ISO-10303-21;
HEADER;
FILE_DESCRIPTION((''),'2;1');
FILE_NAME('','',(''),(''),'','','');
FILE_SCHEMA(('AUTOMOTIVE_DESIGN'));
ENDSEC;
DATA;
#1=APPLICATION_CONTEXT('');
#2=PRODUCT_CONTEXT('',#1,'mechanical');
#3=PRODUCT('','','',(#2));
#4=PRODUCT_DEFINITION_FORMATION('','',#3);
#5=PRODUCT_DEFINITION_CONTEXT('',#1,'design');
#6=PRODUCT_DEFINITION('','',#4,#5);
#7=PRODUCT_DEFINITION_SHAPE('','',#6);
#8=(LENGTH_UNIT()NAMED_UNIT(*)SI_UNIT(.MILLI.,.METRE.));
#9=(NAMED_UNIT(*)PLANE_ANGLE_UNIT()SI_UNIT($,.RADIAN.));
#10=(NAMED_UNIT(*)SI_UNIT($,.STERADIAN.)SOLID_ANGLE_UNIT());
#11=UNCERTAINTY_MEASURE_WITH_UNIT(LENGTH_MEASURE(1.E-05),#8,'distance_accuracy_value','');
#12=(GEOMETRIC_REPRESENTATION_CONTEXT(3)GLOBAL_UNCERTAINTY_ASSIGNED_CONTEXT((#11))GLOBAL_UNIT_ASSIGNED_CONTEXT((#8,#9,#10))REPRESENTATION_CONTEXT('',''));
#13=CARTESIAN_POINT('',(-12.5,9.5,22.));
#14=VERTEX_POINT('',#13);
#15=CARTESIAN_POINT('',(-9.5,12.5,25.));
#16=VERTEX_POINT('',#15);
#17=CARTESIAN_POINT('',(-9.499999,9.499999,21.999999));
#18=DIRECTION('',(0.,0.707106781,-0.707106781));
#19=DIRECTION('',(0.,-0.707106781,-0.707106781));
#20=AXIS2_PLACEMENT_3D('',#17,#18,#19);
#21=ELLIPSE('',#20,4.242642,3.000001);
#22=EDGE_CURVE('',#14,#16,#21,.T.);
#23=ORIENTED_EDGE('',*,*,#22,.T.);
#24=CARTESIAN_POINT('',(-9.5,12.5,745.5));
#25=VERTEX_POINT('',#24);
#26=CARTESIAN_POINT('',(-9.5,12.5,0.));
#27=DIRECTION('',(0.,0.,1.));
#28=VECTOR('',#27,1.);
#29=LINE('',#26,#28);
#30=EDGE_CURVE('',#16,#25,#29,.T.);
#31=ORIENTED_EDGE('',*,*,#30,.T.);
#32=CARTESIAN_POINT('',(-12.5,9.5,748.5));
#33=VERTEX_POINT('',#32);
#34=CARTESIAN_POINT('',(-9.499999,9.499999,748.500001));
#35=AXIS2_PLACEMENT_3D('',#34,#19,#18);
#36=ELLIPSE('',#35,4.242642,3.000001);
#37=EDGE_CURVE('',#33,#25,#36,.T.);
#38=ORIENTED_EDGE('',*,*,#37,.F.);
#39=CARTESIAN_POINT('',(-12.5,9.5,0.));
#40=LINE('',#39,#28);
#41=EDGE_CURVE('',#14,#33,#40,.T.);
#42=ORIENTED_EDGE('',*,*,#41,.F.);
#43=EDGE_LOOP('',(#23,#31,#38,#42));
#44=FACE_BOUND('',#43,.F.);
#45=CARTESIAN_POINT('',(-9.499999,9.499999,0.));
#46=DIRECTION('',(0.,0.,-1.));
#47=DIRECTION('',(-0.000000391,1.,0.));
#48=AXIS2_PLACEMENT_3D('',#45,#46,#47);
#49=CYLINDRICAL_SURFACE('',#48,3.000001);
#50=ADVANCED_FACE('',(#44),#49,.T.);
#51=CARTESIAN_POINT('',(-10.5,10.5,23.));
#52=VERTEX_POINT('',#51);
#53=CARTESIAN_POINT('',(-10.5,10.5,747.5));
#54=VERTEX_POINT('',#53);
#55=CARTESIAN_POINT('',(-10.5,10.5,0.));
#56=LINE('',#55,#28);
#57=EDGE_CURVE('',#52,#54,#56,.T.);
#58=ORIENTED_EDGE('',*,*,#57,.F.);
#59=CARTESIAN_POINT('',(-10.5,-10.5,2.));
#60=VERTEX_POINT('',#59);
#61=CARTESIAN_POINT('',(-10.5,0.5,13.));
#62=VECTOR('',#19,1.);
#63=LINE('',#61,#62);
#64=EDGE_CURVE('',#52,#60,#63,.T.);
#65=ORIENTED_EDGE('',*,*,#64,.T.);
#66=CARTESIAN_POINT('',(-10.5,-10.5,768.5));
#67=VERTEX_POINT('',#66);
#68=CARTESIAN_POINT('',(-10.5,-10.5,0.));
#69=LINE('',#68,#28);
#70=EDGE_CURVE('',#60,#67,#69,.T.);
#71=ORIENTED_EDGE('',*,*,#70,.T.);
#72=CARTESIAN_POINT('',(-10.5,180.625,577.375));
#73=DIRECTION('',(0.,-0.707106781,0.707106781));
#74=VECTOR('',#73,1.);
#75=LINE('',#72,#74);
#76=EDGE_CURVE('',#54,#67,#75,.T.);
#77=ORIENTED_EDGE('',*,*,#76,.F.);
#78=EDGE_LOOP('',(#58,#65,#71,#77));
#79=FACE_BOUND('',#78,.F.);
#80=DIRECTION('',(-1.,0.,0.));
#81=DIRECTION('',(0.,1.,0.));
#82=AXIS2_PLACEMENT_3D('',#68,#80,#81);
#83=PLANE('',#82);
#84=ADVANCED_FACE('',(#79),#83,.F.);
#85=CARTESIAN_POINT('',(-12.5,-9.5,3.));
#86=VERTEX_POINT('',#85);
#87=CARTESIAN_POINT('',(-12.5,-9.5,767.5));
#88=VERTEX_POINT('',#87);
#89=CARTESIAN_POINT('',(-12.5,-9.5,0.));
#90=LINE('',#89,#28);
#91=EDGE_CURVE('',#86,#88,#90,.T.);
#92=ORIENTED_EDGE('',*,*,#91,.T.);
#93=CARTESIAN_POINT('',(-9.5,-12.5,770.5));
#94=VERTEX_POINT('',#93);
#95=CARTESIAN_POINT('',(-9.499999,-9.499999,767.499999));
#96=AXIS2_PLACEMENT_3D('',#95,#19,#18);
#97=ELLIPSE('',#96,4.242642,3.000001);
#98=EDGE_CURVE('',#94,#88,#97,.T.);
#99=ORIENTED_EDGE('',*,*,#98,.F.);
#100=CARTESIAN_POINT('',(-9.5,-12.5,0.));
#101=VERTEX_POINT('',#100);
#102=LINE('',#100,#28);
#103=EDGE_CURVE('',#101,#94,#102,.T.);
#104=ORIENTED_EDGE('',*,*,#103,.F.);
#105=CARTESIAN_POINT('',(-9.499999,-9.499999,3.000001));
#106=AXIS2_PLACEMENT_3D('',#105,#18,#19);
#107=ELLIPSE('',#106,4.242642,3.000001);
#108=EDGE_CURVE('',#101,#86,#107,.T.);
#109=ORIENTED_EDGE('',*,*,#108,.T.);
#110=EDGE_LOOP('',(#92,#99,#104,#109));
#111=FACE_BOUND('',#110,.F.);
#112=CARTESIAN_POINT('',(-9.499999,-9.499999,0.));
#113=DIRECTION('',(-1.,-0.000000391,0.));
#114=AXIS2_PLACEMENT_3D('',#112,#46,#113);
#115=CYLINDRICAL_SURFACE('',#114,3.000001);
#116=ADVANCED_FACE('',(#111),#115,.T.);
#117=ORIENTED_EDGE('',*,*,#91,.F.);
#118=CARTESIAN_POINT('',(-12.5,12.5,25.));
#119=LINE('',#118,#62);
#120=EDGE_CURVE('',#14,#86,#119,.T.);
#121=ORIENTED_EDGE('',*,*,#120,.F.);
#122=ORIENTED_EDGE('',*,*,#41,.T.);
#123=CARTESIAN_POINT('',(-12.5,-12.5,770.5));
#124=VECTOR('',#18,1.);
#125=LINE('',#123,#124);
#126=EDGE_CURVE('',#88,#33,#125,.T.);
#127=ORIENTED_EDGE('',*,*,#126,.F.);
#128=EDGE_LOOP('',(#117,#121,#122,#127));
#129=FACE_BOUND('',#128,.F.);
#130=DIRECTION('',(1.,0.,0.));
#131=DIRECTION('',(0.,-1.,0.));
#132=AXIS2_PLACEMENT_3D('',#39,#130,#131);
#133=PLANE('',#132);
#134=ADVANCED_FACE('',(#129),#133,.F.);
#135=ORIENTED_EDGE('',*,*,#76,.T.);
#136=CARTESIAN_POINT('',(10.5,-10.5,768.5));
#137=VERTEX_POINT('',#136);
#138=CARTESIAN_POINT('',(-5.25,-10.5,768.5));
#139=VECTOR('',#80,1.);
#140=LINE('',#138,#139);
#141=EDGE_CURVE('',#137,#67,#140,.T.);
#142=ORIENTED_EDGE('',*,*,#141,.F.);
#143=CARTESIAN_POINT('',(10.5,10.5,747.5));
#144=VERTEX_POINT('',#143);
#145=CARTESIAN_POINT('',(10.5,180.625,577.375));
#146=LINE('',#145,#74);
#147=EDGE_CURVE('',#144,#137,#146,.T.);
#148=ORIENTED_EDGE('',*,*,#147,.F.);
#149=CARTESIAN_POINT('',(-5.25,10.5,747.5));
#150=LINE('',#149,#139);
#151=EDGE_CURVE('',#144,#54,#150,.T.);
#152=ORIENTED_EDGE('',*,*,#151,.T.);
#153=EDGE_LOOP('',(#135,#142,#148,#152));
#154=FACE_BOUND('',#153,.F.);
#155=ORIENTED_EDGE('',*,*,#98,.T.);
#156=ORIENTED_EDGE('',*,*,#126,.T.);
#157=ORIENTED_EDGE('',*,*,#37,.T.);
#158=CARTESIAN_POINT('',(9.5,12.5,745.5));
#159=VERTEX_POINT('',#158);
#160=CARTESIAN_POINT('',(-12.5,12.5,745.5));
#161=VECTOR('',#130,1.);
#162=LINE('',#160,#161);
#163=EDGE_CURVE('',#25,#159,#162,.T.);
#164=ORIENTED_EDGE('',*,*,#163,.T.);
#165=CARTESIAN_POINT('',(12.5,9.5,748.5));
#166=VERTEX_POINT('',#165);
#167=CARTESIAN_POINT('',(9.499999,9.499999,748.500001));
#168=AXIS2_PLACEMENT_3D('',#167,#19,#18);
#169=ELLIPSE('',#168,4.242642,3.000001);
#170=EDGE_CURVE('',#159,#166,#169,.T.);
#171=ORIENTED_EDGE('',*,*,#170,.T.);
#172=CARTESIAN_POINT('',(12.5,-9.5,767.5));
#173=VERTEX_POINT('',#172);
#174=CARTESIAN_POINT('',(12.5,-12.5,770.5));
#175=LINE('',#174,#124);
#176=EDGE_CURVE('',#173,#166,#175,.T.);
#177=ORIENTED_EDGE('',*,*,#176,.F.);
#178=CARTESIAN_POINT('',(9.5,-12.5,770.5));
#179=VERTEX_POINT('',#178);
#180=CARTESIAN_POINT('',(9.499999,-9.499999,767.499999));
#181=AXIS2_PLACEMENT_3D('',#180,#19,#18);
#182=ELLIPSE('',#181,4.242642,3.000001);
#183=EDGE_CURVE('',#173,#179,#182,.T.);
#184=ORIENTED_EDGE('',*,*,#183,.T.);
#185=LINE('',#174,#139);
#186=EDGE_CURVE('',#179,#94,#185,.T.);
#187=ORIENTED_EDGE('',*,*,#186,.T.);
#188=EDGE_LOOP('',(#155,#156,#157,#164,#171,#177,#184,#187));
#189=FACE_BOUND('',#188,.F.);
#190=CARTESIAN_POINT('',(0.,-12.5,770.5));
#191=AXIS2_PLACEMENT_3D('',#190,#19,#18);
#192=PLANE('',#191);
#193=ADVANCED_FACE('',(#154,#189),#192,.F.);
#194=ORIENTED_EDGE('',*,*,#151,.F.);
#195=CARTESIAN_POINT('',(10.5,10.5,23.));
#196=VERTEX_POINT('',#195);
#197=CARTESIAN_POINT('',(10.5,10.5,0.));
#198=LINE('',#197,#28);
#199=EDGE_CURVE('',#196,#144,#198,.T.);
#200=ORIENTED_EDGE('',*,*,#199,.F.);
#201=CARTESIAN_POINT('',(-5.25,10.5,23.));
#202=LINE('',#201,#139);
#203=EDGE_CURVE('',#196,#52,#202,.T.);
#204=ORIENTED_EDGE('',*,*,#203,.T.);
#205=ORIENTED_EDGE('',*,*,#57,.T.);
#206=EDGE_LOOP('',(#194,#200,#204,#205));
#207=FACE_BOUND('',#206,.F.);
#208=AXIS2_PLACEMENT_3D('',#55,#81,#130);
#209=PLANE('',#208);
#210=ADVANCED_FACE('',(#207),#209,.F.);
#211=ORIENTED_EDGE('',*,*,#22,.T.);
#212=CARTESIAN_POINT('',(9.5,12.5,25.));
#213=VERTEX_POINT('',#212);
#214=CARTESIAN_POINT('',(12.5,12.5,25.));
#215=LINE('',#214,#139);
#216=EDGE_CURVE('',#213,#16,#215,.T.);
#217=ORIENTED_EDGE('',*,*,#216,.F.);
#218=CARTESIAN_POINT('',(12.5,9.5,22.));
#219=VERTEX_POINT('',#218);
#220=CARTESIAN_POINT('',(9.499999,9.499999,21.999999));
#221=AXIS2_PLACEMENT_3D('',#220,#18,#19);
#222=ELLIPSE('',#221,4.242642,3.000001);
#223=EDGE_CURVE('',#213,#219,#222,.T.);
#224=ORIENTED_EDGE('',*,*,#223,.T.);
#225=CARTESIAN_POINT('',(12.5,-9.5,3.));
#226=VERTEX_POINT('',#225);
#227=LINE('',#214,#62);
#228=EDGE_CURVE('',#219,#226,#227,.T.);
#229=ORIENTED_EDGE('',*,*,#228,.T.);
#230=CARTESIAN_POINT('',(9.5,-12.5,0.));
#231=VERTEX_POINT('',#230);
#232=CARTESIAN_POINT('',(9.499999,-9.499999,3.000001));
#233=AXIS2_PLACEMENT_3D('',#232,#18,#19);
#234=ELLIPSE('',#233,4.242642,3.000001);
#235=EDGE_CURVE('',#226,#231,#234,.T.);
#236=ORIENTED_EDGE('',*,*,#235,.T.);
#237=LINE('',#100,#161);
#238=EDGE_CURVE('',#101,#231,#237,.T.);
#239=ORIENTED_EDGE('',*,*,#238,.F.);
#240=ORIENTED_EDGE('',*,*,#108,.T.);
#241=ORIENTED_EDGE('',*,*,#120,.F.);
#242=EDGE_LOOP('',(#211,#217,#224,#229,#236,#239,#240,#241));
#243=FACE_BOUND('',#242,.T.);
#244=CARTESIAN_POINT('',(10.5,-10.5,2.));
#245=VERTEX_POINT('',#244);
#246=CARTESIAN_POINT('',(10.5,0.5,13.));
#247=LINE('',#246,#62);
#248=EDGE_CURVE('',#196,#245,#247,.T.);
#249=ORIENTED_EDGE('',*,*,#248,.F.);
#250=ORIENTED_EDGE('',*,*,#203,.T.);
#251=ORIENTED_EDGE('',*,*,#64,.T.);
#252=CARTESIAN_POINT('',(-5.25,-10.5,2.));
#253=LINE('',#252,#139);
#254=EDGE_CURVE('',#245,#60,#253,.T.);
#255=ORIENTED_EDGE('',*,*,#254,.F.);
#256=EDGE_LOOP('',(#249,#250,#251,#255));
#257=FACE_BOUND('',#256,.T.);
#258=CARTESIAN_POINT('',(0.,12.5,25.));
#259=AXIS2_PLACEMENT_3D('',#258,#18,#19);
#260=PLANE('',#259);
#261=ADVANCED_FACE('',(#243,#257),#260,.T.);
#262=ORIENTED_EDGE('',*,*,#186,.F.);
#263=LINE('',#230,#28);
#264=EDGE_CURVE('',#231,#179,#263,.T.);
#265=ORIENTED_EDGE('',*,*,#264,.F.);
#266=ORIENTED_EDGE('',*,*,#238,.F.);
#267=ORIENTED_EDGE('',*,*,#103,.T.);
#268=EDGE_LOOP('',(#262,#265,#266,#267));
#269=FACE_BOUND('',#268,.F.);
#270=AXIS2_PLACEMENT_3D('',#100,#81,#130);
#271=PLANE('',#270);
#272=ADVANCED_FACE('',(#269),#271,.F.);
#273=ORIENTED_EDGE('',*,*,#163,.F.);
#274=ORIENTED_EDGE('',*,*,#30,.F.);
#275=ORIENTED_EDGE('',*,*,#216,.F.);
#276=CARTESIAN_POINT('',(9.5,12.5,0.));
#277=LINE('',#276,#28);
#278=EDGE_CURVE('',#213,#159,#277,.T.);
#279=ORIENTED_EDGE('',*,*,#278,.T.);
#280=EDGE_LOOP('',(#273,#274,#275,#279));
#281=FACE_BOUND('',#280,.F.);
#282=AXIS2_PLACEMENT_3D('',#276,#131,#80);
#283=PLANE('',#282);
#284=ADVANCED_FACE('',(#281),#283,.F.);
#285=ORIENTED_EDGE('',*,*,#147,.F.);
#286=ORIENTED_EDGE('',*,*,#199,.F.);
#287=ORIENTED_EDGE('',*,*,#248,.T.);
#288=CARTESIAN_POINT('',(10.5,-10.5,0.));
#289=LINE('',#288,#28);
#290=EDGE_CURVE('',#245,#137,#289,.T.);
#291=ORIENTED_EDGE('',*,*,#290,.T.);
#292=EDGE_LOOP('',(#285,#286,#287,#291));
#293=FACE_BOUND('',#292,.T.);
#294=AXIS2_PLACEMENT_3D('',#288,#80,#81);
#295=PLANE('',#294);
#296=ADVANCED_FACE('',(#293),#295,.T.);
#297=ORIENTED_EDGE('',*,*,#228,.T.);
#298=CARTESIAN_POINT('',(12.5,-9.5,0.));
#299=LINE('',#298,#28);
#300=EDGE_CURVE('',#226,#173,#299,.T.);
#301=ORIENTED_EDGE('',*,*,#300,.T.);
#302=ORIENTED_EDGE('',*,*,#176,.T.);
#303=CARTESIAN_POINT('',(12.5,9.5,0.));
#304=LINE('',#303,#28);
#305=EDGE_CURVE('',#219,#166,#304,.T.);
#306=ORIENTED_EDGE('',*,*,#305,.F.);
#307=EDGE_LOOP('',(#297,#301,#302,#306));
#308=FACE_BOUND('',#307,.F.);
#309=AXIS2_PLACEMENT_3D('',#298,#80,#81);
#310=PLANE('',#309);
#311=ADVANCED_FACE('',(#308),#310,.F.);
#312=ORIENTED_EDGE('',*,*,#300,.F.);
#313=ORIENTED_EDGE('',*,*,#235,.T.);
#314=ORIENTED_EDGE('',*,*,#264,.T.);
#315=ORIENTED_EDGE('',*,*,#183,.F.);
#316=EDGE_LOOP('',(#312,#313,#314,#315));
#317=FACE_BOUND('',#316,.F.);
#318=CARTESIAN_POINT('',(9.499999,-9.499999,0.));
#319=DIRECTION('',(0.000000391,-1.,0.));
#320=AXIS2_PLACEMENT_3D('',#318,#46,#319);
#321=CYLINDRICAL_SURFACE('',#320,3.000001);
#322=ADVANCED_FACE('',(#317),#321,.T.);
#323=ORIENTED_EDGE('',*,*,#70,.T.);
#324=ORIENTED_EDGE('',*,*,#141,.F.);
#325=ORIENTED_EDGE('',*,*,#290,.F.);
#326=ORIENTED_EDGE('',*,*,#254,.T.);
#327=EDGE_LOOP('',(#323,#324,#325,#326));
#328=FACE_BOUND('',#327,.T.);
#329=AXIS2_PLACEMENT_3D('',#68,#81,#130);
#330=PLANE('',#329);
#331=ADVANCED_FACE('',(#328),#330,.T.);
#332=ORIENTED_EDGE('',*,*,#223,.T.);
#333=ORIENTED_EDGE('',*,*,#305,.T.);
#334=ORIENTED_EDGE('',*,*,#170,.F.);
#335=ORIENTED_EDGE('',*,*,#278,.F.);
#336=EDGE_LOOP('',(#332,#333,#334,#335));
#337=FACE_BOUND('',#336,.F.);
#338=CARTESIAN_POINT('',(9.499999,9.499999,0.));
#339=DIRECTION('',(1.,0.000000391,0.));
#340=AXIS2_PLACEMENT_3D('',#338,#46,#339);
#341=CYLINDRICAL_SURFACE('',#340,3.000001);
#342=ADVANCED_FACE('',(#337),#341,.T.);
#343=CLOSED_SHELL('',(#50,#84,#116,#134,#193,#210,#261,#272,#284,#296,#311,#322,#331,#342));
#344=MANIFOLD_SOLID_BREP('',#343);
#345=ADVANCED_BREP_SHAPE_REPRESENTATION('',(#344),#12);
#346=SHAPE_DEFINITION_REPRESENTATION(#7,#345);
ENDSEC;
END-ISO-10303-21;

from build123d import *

# Parameters (mm, degrees)
F0_W     = 21
F0_H     = 21
F1_DEPTH = 800
F3_DEPTH = 12.5


with BuildPart() as f1:
    # F0 (on Top) → F1 (new body)
    with BuildSketch(Plane.XY):
        with BuildLine():
            ThreePointArc((12.5, 9.5), (11.62132, 11.62132), (9.5, 12.5))
            Line((9.5, 12.5), (-9.5, 12.5))
            ThreePointArc((-9.5, 12.5), (-11.62132, 11.62132), (-12.5, 9.5))
            Line((-12.5, 9.5), (-12.5, -9.5))
            ThreePointArc((-12.5, -9.5), (-11.62132, -11.62132), (-9.5, -12.5))
            Line((-9.5, -12.5), (9.5, -12.5))
            ThreePointArc((9.5, -12.5), (11.62132, -11.62132), (12.5, -9.5))
            Line((12.5, -9.5), (12.5, 9.5))
        make_face()
        Rectangle(F0_W, F0_H, mode=Mode.SUBTRACT)
    extrude(amount=F1_DEPTH)

    # F2 (on Right) → F3 (cut, symmetric)
    with BuildSketch(Plane.YZ):
        Polygon((12.5, 25), (-12.5, 0), (12.5, 0), align=None)
        Polygon((-12.5, 770.5), (12.5, 745.5), (12.5, 800), (-12.5, 800), align=None)
    extrude(amount=F3_DEPTH, both=True, mode=Mode.SUBTRACT)


solid = f1.part
